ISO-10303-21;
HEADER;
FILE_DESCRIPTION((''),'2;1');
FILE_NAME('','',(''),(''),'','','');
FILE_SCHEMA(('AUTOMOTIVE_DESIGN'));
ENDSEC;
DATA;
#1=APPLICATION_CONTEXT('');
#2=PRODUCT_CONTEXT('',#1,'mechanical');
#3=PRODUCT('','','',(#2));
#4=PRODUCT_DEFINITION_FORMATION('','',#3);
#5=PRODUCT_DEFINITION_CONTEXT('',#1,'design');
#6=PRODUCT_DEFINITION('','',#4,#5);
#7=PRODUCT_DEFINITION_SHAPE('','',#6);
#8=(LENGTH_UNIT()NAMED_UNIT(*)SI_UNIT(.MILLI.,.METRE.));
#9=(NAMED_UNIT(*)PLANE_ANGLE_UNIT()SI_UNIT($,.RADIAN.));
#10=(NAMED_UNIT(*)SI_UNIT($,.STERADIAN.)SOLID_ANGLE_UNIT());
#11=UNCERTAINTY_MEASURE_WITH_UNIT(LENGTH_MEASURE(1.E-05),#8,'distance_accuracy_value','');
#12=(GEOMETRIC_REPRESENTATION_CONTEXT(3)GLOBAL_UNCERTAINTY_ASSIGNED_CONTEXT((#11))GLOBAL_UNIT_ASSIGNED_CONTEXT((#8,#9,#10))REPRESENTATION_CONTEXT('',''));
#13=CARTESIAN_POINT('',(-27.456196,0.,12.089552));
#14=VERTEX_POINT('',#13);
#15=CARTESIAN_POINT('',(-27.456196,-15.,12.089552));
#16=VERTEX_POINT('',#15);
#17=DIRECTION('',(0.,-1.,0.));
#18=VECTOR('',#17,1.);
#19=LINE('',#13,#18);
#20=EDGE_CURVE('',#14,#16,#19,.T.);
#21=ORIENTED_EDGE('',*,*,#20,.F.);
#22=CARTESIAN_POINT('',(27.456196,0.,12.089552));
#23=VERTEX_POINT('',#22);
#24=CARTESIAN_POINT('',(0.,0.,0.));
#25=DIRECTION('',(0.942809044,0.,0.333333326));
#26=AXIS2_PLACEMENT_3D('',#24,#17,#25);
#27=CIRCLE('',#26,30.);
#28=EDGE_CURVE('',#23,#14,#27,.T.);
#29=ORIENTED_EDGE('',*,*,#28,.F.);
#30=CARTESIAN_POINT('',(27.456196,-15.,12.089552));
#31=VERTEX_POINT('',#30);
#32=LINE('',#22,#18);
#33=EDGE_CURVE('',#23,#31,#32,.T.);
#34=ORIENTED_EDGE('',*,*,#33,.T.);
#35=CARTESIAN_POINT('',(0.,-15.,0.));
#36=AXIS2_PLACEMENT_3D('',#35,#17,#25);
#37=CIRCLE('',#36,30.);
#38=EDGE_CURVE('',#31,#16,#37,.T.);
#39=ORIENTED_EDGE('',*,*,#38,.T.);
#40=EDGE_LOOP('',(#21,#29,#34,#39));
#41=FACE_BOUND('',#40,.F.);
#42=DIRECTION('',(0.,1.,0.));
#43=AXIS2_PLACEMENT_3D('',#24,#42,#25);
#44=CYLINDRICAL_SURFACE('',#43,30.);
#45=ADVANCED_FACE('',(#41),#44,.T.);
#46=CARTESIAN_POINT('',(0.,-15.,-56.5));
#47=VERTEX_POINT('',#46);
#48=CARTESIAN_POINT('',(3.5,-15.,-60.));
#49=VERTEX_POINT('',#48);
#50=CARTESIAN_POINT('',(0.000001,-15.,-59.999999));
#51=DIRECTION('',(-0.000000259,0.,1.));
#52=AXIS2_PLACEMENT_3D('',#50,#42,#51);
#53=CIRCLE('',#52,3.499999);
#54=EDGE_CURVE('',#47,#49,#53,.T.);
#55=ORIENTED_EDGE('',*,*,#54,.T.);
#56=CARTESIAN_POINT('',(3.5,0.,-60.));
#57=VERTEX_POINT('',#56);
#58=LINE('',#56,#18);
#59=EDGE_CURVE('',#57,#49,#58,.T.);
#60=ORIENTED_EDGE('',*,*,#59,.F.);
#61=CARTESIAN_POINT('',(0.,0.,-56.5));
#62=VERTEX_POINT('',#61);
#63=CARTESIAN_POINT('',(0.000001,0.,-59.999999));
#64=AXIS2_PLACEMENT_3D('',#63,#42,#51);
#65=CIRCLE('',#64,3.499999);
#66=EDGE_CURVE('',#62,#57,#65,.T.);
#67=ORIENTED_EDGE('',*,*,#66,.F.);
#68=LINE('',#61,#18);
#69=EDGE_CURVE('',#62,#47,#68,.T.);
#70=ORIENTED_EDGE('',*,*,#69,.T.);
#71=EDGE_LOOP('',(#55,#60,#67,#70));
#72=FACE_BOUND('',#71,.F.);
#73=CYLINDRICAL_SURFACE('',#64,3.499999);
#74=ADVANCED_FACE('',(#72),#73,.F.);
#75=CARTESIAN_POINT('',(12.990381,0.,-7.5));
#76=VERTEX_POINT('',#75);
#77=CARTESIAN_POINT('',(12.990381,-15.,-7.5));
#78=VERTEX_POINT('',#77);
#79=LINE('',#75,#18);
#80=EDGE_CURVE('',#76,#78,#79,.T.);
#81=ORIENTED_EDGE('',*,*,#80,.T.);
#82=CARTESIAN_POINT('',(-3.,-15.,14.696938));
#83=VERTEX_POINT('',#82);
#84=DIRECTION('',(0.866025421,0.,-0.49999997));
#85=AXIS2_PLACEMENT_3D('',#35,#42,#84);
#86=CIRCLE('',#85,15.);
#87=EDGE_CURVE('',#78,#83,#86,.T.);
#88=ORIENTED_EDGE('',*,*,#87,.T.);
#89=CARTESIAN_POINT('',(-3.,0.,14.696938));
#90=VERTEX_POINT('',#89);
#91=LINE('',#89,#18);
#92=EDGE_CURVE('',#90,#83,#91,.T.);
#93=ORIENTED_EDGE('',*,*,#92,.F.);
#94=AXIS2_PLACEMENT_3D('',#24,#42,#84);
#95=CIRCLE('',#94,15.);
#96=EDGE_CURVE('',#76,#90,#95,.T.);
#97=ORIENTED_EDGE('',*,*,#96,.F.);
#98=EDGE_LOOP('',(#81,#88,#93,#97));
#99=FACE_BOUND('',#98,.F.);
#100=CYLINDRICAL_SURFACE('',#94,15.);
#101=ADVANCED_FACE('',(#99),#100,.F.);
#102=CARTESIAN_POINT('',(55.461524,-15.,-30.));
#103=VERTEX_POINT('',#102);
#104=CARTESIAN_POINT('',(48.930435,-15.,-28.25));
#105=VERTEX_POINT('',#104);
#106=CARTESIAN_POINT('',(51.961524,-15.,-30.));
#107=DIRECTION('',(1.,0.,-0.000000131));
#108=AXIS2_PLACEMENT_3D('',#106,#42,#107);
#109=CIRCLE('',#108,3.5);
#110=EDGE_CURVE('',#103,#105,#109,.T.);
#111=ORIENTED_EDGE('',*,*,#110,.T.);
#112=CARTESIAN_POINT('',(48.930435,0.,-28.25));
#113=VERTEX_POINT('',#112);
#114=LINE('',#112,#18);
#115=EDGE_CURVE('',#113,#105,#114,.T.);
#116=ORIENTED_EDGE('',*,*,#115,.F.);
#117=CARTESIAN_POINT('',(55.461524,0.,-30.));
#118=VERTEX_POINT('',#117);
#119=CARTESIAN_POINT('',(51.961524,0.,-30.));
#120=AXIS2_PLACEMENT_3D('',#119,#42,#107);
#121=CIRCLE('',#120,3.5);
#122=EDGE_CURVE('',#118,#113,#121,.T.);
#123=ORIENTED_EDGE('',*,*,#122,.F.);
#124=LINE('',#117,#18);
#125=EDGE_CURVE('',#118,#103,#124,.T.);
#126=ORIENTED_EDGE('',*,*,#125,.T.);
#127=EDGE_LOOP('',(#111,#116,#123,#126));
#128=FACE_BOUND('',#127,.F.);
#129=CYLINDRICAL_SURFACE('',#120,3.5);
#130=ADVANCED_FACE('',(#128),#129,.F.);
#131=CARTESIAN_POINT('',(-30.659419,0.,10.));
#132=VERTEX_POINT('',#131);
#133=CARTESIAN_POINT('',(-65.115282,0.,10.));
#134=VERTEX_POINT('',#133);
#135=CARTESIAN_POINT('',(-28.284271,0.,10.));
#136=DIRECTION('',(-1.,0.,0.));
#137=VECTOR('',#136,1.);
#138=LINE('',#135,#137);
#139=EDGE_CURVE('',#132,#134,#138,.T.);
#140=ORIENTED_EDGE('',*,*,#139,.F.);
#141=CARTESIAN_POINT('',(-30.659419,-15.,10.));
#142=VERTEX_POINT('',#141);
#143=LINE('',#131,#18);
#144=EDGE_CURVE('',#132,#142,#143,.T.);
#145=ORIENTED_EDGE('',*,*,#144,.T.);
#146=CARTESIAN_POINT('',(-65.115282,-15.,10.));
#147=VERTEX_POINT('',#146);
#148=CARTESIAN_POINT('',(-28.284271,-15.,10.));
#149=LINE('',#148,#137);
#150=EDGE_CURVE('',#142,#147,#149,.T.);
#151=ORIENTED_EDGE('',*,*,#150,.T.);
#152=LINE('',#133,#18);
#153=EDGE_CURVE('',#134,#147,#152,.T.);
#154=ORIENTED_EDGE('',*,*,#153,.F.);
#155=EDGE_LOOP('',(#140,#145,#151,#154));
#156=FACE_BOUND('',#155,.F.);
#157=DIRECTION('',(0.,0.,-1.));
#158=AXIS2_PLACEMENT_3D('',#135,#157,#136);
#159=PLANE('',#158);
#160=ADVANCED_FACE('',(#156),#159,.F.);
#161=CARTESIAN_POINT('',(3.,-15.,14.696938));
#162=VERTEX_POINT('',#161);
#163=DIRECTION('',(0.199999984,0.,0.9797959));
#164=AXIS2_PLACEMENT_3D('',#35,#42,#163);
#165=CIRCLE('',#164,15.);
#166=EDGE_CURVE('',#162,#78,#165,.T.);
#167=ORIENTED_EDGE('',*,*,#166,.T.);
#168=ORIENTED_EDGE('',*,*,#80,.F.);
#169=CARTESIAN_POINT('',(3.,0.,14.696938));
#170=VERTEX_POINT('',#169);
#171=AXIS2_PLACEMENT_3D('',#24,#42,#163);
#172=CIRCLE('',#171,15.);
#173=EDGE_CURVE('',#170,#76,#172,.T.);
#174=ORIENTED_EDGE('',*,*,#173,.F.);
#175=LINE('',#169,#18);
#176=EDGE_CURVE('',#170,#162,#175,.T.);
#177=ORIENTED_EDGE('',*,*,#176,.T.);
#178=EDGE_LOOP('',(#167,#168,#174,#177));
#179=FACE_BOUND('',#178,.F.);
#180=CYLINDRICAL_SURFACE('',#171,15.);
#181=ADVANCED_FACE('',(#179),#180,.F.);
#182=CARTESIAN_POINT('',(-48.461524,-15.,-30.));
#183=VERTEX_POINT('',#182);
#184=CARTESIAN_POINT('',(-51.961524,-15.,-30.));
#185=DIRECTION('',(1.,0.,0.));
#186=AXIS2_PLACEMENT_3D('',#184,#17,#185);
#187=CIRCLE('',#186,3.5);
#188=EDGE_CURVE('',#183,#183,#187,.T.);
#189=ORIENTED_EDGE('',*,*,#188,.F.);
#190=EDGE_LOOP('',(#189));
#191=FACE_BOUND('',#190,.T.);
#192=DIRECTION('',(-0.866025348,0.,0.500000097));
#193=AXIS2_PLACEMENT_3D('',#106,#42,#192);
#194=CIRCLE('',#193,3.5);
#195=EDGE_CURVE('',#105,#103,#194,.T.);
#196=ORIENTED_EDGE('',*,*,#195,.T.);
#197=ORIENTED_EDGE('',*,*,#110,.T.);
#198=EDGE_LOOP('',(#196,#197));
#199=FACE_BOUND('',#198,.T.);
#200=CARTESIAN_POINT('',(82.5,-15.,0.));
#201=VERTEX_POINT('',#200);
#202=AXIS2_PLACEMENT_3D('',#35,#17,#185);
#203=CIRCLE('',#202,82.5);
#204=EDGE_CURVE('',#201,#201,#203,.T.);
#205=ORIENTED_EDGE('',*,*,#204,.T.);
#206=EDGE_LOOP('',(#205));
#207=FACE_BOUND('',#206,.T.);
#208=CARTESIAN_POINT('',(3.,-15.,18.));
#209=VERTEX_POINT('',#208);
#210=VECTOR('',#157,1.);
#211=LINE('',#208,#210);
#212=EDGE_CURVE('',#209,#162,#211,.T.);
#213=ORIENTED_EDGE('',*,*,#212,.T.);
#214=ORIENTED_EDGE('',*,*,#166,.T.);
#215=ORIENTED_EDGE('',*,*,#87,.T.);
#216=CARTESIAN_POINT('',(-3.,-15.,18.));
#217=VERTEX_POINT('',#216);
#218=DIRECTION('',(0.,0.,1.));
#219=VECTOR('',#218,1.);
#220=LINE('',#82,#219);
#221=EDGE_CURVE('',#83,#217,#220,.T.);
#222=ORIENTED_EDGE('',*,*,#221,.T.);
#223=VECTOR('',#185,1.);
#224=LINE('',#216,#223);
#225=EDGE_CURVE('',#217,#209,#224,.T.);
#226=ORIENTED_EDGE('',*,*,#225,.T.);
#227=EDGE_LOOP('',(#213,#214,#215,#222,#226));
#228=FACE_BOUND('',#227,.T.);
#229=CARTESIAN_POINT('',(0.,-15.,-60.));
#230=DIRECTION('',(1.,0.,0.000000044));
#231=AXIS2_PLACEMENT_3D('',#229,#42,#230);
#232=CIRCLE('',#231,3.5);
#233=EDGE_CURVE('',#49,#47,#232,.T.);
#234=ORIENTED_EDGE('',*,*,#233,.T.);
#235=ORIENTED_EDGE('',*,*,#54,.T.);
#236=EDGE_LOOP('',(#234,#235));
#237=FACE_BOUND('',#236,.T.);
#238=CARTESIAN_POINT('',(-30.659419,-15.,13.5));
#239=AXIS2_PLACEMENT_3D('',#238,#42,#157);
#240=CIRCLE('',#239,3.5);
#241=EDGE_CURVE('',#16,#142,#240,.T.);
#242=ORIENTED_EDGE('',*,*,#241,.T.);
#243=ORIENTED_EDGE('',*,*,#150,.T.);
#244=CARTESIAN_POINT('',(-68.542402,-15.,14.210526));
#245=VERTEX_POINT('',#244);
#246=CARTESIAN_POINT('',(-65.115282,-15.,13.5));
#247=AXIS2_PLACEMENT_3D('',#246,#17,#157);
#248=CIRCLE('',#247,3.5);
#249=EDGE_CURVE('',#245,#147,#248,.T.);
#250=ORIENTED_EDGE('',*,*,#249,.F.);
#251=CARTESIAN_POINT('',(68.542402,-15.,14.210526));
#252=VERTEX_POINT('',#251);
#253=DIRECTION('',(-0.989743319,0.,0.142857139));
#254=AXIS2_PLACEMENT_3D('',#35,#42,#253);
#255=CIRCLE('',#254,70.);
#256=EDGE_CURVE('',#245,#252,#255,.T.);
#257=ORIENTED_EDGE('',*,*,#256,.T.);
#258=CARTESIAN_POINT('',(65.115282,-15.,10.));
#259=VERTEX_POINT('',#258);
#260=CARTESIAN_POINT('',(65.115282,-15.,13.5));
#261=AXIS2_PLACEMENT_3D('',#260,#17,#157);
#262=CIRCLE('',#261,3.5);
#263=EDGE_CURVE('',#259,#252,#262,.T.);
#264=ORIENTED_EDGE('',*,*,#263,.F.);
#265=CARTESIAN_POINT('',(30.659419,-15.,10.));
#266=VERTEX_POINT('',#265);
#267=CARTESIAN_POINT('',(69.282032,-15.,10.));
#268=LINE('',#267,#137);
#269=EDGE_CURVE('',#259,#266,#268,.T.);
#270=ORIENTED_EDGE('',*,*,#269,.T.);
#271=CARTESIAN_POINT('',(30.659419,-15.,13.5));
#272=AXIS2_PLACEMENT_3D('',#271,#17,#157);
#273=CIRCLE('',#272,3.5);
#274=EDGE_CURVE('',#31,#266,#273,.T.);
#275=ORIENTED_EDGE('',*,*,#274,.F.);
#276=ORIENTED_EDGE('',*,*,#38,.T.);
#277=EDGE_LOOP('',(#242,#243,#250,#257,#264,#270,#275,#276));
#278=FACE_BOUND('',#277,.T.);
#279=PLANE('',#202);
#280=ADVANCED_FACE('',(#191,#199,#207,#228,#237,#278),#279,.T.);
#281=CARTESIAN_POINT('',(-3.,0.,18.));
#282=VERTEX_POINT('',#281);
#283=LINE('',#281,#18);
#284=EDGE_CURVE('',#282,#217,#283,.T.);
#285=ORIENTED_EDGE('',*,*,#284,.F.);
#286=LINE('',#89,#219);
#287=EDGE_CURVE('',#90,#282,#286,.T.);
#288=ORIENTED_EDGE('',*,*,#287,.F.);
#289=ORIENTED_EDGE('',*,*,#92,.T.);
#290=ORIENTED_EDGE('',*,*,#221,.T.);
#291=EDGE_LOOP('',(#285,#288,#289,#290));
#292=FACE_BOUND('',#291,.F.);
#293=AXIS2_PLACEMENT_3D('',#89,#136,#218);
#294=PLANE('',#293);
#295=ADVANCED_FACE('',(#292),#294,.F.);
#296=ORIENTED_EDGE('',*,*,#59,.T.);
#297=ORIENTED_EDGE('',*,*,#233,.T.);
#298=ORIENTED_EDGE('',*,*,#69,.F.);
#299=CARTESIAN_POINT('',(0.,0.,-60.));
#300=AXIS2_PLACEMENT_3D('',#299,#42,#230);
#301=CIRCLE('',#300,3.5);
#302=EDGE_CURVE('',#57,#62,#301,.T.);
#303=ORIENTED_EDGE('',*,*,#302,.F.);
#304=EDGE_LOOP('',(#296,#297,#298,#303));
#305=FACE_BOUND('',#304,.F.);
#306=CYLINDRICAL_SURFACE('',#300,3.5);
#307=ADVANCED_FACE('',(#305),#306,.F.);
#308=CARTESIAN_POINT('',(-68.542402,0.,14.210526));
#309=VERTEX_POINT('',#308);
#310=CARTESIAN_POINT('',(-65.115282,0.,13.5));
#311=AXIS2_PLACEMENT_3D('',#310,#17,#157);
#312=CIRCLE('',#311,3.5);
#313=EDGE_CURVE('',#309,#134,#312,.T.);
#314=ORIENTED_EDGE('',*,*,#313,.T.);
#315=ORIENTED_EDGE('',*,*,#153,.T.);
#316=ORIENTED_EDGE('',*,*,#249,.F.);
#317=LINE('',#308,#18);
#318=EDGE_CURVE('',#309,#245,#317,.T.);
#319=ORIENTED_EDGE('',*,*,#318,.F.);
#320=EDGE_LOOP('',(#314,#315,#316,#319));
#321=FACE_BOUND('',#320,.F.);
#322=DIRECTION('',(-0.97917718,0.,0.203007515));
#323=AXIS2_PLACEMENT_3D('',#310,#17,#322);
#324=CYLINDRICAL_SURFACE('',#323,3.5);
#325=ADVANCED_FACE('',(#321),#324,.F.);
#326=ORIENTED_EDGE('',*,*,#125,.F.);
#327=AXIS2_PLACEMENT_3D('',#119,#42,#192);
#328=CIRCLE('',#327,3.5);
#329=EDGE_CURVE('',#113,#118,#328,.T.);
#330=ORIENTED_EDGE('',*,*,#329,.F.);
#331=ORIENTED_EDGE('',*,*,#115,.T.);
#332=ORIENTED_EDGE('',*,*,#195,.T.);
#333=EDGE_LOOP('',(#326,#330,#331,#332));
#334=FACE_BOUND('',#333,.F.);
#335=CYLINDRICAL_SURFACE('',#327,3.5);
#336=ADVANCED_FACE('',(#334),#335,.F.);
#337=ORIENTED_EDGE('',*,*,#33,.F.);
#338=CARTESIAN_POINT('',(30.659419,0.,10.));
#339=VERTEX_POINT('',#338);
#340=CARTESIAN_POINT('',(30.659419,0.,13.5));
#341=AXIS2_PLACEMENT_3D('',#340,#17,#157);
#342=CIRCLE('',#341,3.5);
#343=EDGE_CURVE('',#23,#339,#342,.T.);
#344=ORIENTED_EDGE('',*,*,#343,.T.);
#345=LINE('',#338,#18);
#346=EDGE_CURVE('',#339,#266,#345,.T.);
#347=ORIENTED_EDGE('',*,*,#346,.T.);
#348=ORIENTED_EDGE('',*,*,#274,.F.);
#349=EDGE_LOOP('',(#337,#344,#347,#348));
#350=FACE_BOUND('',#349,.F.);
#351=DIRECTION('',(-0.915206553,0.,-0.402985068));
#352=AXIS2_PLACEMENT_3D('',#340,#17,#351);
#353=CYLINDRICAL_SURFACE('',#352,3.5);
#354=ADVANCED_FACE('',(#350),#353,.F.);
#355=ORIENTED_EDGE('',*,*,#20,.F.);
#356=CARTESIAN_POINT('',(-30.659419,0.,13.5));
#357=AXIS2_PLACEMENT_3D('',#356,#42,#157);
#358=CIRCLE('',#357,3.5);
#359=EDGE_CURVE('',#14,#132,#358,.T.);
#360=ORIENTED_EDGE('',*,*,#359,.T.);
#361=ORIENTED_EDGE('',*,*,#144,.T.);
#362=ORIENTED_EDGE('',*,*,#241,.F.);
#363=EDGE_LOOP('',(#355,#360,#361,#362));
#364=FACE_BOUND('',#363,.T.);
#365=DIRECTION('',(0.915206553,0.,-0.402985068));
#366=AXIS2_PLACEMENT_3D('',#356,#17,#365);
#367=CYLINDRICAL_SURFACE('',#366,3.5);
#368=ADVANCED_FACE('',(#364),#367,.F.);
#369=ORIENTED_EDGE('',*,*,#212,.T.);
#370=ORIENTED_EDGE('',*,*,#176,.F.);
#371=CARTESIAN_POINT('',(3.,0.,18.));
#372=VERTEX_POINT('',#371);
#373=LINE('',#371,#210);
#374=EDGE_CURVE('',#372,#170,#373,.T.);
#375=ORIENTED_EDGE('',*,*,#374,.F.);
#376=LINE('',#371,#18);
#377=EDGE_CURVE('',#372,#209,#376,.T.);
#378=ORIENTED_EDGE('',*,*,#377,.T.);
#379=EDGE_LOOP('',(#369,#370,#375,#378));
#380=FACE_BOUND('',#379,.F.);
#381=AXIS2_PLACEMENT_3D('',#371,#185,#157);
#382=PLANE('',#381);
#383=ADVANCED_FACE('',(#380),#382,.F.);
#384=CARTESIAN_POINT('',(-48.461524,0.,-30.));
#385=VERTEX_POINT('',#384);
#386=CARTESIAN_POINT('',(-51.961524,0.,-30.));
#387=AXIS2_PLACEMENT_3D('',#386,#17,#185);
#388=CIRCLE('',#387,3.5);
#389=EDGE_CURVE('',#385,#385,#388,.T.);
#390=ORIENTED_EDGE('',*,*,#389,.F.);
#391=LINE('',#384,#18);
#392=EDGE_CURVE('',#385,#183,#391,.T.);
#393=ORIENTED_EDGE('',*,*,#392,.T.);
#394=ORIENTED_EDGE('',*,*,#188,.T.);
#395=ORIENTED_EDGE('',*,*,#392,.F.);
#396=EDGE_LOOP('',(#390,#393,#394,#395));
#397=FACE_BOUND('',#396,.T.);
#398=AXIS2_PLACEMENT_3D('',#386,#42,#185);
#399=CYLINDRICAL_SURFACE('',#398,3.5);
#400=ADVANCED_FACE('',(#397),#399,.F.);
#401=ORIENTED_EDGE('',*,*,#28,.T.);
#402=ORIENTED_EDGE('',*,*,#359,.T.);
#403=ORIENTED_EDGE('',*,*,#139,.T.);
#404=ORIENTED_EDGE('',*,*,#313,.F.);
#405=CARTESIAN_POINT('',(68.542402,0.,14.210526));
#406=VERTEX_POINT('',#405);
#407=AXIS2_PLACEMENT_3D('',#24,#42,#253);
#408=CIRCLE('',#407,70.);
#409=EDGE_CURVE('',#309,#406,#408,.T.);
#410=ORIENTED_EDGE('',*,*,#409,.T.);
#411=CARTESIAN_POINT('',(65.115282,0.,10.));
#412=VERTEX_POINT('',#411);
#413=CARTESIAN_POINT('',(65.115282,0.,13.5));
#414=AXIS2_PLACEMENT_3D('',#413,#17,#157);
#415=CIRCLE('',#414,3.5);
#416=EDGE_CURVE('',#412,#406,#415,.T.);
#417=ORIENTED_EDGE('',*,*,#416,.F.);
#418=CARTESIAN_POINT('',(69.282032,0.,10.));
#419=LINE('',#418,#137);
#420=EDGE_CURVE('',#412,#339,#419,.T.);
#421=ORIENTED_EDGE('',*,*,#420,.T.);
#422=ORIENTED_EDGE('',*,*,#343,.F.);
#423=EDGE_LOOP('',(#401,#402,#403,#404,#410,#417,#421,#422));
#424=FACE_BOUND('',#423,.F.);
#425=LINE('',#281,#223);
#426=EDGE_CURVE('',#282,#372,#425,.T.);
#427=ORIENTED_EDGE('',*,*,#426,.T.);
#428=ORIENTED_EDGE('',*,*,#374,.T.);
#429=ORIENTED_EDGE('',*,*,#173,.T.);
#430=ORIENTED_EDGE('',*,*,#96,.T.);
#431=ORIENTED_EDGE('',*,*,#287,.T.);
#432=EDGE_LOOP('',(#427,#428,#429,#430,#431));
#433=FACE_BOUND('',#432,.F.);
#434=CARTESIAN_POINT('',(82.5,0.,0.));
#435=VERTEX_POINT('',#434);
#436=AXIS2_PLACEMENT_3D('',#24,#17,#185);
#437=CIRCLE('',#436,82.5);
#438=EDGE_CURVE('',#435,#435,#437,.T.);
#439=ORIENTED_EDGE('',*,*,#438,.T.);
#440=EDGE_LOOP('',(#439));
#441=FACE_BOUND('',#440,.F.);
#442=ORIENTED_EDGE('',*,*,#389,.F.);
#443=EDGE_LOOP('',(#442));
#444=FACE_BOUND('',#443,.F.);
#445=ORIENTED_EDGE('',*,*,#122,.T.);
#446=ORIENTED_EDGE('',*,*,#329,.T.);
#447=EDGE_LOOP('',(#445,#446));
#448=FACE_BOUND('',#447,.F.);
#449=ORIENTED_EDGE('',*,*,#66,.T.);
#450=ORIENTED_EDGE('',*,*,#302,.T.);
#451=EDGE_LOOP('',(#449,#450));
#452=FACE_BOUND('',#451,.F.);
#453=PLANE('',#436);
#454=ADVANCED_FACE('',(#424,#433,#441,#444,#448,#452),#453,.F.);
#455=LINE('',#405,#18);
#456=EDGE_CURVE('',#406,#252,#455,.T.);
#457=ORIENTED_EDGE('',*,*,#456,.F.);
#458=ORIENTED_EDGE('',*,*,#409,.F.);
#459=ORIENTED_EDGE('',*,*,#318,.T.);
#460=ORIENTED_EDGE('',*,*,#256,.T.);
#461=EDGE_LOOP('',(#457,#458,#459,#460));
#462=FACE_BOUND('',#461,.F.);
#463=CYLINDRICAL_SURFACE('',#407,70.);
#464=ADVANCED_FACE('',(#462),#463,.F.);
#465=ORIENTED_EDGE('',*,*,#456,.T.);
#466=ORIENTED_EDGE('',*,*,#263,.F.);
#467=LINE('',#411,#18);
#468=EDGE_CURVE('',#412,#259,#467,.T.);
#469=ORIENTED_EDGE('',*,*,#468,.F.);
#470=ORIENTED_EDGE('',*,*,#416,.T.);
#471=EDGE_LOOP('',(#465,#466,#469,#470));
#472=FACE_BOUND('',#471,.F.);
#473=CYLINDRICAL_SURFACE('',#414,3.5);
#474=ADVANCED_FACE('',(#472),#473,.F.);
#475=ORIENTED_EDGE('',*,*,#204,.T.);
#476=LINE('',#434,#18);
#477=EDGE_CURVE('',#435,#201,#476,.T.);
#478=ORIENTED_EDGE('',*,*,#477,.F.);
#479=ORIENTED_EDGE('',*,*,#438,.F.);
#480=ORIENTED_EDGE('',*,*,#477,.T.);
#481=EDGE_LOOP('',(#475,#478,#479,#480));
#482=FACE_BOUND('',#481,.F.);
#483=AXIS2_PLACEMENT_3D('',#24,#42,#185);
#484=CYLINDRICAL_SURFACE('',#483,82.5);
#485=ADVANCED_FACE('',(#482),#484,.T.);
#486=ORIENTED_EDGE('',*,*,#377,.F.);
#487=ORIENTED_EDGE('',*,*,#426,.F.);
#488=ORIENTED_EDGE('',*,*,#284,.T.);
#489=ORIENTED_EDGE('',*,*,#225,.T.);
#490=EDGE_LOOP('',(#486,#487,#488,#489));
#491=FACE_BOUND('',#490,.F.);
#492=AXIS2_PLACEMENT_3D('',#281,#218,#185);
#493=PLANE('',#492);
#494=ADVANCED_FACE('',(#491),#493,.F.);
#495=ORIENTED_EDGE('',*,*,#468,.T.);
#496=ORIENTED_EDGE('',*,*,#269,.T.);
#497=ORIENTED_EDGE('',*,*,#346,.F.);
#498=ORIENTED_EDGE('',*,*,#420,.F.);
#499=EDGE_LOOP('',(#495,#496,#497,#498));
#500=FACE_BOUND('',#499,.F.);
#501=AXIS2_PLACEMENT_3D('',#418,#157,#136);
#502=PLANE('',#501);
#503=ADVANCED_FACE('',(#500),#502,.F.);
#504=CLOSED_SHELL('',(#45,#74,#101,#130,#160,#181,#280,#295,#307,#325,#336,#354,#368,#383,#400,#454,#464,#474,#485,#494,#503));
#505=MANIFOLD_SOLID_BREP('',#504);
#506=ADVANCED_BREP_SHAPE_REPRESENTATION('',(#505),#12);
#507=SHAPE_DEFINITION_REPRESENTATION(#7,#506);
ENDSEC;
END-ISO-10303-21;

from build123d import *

# Parameters (mm, degrees)
F0_R     = 82.5
F0_R_2   = 3.5
F1_DEPTH = 15
F2_R     = 3.5


with BuildPart() as f1:
    # F0 (on Front) → F1 (new body)
    with BuildSketch(Plane.XZ):
        Circle(F0_R)
        with Locations((-51.961524, -30)):
            Circle(F0_R_2, mode=Mode.SUBTRACT)
        with BuildLine():
            ThreePointArc((0, -56.5), (2.474874, -57.525126), (3.5, -60))
            ThreePointArc((3.5, -60), (-2.474874, -62.474874), (0, -56.5))
        make_face(mode=Mode.SUBTRACT)
        with BuildLine():
            ThreePointArc((55.461524, -30), (51.055658, -33.38074), (48.930435, -28.25))
            ThreePointArc((48.930435, -28.25), (52.867391, -26.61926), (55.461524, -30))
        make_face(mode=Mode.SUBTRACT)
        with BuildLine():
            ThreePointArc((12.990381, -7.5), (-12.170783, -8.767671), (-3, 14.696938))
            Line((-3, 14.696938), (-3, 18))
            Line((-3, 18), (0, 18))
            Line((0, 18), (3, 18))
            Line((3, 18), (3, 14.696938))
            ThreePointArc((3, 14.696938), (13.678417, 6.156371), (12.990381, -7.5))
        make_face(mode=Mode.SUBTRACT)
        with BuildLine():
            Line((-28.284271, 10), (-69.282032, 10))
            ThreePointArc((-69.282032, 10), (0, 70), (69.282032, 10))
            Line((69.282032, 10), (28.284271, 10))
            ThreePointArc((28.284271, 10), (0, 30), (-28.284271, 10))
        make_face(mode=Mode.SUBTRACT)
    extrude(amount=F1_DEPTH)

    # F2
    f2_edges = [f1.edges().sort_by_distance(p)[0] for p in [
        (69.282032, -7.5, 10),
        (-69.282032, -7.5, 10),
        (-28.284271, -7.5, 10),
        (28.284271, -7.5, 10),
    ]]
    fillet(f2_edges, radius=F2_R)


solid = f1.part
